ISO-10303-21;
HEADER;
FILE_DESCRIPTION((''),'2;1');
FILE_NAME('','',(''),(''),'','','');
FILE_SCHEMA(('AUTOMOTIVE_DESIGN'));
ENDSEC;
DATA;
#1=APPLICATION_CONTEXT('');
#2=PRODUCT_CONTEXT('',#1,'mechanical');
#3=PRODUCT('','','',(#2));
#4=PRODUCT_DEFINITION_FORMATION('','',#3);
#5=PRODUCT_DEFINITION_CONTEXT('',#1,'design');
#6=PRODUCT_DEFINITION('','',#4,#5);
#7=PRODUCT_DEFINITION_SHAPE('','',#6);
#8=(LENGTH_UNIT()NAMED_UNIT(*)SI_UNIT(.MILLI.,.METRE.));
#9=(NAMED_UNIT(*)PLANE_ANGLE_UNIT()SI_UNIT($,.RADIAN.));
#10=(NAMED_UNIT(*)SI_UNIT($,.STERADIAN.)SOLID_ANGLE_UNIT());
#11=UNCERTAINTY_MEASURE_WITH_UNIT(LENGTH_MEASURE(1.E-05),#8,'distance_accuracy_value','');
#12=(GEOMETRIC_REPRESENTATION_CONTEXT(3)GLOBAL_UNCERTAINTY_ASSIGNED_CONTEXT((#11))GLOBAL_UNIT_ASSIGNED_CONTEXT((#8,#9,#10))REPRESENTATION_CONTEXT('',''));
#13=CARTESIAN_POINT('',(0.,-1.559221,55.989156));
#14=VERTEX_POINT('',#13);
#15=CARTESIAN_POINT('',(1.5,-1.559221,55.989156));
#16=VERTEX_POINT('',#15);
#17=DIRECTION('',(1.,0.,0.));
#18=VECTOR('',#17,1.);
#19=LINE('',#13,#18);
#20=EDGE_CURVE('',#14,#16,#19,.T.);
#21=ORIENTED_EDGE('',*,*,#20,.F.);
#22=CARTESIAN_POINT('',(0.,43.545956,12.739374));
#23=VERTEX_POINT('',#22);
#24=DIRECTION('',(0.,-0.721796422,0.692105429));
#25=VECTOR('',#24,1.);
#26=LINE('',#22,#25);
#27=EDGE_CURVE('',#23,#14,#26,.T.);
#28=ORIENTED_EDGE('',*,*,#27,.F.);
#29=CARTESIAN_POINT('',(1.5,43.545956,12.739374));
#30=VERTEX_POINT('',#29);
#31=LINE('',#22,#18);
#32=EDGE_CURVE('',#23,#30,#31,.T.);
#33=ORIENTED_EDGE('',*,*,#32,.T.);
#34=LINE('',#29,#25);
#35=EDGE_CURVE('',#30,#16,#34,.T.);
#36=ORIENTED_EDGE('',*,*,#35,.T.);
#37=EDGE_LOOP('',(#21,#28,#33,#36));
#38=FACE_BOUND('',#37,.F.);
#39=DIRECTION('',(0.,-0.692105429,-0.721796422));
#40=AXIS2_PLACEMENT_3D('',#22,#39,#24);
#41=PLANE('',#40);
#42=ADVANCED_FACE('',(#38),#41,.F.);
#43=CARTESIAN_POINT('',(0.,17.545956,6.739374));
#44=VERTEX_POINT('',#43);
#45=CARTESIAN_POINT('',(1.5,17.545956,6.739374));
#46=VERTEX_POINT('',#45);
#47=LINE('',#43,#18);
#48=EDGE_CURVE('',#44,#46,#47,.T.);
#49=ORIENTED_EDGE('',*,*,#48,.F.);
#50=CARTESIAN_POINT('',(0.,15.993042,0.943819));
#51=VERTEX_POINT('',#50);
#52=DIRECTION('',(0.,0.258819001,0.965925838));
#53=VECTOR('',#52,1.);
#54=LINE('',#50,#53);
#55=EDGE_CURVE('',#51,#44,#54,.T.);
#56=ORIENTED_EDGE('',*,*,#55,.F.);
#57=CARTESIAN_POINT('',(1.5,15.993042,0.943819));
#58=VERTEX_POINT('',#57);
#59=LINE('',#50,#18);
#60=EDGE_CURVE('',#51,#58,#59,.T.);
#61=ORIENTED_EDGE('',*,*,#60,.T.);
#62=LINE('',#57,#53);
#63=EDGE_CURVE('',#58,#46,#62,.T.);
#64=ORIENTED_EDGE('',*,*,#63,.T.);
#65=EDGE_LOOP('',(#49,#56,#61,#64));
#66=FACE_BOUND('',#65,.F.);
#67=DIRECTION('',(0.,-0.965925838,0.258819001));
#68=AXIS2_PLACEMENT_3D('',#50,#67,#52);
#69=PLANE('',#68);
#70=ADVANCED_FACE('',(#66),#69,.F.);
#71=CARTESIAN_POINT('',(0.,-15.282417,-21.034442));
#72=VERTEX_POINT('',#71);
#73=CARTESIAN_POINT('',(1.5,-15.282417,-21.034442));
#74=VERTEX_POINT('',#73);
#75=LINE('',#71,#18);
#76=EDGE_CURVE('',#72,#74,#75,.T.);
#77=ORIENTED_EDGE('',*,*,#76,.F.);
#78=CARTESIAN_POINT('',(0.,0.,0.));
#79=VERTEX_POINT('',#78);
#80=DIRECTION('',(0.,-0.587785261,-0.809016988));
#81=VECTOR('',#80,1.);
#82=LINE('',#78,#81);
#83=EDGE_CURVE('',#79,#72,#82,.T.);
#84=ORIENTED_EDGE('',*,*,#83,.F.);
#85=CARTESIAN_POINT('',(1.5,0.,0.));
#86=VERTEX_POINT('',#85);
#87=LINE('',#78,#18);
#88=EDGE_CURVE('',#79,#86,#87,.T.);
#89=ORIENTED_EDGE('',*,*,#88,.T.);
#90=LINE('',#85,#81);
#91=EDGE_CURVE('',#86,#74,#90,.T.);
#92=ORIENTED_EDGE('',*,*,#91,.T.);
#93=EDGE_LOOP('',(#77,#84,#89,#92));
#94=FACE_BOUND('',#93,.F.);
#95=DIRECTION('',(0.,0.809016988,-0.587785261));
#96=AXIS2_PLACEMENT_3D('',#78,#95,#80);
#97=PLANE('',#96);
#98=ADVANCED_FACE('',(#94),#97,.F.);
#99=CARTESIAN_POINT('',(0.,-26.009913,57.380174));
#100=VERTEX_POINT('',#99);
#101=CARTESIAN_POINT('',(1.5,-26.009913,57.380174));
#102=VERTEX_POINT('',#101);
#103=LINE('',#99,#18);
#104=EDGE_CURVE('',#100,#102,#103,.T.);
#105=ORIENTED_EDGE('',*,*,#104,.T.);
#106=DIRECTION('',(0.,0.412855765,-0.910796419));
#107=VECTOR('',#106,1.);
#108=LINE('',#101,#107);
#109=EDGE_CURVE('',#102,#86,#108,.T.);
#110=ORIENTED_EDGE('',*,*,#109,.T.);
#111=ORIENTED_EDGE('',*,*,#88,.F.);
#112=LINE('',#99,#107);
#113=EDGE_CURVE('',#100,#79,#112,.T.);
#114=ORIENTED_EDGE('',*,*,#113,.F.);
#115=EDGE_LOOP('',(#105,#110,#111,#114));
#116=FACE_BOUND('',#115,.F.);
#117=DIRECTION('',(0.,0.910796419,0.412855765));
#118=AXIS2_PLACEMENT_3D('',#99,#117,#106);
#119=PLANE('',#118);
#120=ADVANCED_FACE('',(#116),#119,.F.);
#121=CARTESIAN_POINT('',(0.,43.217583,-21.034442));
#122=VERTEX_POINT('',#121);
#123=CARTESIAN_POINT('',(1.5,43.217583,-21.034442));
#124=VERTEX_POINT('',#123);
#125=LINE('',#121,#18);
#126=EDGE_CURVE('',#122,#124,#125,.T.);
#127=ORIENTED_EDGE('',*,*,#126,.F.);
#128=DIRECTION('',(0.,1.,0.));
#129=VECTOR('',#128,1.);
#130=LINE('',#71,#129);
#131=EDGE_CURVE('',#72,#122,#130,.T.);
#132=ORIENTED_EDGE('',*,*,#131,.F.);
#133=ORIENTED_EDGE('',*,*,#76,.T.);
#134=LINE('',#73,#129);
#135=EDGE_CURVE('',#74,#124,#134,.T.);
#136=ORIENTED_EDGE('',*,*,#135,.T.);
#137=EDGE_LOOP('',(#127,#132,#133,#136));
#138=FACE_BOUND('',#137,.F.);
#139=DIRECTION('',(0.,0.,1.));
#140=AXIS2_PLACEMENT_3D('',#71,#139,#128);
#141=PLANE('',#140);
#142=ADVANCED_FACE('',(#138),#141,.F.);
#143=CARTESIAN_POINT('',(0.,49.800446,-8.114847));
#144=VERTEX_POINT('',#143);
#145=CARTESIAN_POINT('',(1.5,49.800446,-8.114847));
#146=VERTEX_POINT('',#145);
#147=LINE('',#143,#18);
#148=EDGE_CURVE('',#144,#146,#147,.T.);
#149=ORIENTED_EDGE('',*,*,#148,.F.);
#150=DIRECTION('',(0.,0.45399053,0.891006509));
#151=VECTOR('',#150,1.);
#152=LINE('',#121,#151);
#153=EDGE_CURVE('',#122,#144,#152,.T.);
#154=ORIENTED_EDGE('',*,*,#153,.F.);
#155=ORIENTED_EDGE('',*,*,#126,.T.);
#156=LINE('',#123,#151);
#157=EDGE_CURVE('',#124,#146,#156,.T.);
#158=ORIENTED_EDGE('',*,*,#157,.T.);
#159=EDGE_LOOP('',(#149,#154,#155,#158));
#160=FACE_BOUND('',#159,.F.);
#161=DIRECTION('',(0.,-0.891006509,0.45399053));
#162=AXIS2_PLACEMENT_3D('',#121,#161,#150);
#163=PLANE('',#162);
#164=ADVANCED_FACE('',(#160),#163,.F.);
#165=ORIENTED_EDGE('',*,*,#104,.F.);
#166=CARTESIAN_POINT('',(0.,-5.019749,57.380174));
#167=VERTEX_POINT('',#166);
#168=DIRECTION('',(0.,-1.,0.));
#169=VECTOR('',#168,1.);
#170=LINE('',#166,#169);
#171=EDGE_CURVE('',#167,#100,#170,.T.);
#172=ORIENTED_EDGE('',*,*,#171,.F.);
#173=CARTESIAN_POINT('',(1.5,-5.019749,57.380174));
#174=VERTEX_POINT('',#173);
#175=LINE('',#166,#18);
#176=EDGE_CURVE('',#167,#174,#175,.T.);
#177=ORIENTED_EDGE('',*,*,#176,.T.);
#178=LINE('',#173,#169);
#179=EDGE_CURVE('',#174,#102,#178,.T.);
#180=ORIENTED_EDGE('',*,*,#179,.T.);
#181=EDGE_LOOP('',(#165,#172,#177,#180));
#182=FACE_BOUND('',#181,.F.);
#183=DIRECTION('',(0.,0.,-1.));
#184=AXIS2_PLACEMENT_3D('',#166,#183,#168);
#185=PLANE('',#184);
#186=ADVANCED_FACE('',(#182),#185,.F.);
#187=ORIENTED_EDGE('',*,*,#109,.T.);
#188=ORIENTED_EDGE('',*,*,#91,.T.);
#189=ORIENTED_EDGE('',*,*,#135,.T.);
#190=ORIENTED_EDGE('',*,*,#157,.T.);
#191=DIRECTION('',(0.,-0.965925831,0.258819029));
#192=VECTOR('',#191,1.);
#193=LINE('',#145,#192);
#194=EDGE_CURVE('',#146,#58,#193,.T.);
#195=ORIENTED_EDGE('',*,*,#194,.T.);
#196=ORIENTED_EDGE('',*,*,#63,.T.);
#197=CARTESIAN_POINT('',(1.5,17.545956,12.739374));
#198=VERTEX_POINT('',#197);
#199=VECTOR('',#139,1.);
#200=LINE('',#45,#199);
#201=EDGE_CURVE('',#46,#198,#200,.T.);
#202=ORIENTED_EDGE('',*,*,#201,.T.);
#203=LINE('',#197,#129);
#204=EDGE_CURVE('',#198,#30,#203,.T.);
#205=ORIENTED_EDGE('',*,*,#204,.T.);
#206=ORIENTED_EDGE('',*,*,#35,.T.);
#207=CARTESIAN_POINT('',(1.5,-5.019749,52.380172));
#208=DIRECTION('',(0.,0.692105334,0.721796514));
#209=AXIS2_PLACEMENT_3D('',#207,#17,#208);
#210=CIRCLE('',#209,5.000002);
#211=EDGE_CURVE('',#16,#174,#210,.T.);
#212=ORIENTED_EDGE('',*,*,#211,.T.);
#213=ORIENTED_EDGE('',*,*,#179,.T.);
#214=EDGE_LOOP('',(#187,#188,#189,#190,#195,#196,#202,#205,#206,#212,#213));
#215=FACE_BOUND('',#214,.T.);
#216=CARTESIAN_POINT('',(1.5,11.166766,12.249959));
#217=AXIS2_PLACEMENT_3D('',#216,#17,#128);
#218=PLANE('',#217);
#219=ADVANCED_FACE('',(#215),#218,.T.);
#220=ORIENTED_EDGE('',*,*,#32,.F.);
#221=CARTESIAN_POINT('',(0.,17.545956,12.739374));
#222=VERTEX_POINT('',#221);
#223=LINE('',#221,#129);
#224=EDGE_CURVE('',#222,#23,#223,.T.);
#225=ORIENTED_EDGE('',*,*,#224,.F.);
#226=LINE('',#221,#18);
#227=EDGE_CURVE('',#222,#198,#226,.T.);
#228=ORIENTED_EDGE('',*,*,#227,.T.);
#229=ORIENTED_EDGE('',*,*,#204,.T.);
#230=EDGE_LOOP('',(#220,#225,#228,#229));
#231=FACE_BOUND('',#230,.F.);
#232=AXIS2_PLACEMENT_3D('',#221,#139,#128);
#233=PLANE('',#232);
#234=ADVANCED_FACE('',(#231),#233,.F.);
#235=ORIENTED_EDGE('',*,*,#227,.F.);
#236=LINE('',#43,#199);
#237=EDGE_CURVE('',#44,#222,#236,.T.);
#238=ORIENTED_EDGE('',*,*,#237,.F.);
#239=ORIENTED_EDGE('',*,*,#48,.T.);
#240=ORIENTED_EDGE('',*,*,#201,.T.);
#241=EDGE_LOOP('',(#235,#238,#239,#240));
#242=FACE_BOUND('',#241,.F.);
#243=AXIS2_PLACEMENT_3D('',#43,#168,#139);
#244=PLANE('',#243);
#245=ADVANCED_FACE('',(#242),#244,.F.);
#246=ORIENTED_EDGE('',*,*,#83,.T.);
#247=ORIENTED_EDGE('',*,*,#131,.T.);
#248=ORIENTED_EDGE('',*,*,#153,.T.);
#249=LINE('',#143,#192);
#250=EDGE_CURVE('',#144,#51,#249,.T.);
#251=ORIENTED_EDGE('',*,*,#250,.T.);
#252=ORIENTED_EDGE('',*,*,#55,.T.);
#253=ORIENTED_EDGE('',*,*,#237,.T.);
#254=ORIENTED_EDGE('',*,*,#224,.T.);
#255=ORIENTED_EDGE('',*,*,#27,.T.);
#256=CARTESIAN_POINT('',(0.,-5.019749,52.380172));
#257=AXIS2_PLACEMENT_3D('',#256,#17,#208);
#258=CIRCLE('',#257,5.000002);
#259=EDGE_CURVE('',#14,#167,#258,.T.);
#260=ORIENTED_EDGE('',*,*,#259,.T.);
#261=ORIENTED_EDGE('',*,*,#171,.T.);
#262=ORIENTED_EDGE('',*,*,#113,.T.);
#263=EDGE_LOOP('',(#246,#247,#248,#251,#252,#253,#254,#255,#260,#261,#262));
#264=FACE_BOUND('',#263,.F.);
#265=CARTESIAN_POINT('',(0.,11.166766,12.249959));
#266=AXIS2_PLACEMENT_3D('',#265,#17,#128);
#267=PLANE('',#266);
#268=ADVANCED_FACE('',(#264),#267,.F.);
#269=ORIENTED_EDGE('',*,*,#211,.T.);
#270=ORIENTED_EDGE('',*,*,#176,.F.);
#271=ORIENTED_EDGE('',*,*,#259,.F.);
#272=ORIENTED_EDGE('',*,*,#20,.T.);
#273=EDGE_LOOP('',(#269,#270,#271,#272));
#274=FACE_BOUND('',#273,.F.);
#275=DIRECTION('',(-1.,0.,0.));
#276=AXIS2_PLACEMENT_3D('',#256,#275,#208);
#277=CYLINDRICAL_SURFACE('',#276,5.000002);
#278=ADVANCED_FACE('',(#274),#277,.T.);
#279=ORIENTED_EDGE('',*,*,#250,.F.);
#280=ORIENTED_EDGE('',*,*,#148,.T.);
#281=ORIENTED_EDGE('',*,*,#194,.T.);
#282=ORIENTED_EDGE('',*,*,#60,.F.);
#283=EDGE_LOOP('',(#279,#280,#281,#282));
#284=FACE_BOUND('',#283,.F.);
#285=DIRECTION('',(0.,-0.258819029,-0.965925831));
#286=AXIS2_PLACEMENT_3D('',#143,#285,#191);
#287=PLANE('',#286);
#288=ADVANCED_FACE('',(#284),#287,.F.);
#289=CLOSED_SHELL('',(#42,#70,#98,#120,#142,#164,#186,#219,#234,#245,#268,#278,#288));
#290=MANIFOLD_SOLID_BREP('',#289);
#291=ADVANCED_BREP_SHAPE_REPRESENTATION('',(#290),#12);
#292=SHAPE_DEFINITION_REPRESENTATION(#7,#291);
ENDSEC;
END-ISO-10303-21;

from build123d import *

# Parameters (mm, degrees)
F1_DEPTH = 1.5


with BuildPart() as f1:
    # F0 (on Right) → F1 (new body)
    with BuildSketch(Plane.YZ):
        with BuildLine():
            Line((-26.009913, 57.380174), (0, 0))
            Line((0, 0), (-15.282417, -21.034442))
            Line((-15.282417, -21.034442), (43.217583, -21.034442))
            Line((43.217583, -21.034442), (49.800446, -8.114847))
            Line((49.800446, -8.114847), (15.993042, 0.943819))
            Line((15.993042, 0.943819), (17.545956, 6.739374))
            Line((17.545956, 6.739374), (17.545956, 12.739374))
            Line((17.545956, 12.739374), (43.545956, 12.739374))
            Line((43.545956, 12.739374), (-1.559221, 55.989156))
            ThreePointArc((-1.559221, 55.989156), (-3.154931, 57.019404), (-5.019749, 57.380174))
            Line((-5.019749, 57.380174), (-26.009913, 57.380174))
        make_face()
    extrude(amount=F1_DEPTH)


solid = f1.part
